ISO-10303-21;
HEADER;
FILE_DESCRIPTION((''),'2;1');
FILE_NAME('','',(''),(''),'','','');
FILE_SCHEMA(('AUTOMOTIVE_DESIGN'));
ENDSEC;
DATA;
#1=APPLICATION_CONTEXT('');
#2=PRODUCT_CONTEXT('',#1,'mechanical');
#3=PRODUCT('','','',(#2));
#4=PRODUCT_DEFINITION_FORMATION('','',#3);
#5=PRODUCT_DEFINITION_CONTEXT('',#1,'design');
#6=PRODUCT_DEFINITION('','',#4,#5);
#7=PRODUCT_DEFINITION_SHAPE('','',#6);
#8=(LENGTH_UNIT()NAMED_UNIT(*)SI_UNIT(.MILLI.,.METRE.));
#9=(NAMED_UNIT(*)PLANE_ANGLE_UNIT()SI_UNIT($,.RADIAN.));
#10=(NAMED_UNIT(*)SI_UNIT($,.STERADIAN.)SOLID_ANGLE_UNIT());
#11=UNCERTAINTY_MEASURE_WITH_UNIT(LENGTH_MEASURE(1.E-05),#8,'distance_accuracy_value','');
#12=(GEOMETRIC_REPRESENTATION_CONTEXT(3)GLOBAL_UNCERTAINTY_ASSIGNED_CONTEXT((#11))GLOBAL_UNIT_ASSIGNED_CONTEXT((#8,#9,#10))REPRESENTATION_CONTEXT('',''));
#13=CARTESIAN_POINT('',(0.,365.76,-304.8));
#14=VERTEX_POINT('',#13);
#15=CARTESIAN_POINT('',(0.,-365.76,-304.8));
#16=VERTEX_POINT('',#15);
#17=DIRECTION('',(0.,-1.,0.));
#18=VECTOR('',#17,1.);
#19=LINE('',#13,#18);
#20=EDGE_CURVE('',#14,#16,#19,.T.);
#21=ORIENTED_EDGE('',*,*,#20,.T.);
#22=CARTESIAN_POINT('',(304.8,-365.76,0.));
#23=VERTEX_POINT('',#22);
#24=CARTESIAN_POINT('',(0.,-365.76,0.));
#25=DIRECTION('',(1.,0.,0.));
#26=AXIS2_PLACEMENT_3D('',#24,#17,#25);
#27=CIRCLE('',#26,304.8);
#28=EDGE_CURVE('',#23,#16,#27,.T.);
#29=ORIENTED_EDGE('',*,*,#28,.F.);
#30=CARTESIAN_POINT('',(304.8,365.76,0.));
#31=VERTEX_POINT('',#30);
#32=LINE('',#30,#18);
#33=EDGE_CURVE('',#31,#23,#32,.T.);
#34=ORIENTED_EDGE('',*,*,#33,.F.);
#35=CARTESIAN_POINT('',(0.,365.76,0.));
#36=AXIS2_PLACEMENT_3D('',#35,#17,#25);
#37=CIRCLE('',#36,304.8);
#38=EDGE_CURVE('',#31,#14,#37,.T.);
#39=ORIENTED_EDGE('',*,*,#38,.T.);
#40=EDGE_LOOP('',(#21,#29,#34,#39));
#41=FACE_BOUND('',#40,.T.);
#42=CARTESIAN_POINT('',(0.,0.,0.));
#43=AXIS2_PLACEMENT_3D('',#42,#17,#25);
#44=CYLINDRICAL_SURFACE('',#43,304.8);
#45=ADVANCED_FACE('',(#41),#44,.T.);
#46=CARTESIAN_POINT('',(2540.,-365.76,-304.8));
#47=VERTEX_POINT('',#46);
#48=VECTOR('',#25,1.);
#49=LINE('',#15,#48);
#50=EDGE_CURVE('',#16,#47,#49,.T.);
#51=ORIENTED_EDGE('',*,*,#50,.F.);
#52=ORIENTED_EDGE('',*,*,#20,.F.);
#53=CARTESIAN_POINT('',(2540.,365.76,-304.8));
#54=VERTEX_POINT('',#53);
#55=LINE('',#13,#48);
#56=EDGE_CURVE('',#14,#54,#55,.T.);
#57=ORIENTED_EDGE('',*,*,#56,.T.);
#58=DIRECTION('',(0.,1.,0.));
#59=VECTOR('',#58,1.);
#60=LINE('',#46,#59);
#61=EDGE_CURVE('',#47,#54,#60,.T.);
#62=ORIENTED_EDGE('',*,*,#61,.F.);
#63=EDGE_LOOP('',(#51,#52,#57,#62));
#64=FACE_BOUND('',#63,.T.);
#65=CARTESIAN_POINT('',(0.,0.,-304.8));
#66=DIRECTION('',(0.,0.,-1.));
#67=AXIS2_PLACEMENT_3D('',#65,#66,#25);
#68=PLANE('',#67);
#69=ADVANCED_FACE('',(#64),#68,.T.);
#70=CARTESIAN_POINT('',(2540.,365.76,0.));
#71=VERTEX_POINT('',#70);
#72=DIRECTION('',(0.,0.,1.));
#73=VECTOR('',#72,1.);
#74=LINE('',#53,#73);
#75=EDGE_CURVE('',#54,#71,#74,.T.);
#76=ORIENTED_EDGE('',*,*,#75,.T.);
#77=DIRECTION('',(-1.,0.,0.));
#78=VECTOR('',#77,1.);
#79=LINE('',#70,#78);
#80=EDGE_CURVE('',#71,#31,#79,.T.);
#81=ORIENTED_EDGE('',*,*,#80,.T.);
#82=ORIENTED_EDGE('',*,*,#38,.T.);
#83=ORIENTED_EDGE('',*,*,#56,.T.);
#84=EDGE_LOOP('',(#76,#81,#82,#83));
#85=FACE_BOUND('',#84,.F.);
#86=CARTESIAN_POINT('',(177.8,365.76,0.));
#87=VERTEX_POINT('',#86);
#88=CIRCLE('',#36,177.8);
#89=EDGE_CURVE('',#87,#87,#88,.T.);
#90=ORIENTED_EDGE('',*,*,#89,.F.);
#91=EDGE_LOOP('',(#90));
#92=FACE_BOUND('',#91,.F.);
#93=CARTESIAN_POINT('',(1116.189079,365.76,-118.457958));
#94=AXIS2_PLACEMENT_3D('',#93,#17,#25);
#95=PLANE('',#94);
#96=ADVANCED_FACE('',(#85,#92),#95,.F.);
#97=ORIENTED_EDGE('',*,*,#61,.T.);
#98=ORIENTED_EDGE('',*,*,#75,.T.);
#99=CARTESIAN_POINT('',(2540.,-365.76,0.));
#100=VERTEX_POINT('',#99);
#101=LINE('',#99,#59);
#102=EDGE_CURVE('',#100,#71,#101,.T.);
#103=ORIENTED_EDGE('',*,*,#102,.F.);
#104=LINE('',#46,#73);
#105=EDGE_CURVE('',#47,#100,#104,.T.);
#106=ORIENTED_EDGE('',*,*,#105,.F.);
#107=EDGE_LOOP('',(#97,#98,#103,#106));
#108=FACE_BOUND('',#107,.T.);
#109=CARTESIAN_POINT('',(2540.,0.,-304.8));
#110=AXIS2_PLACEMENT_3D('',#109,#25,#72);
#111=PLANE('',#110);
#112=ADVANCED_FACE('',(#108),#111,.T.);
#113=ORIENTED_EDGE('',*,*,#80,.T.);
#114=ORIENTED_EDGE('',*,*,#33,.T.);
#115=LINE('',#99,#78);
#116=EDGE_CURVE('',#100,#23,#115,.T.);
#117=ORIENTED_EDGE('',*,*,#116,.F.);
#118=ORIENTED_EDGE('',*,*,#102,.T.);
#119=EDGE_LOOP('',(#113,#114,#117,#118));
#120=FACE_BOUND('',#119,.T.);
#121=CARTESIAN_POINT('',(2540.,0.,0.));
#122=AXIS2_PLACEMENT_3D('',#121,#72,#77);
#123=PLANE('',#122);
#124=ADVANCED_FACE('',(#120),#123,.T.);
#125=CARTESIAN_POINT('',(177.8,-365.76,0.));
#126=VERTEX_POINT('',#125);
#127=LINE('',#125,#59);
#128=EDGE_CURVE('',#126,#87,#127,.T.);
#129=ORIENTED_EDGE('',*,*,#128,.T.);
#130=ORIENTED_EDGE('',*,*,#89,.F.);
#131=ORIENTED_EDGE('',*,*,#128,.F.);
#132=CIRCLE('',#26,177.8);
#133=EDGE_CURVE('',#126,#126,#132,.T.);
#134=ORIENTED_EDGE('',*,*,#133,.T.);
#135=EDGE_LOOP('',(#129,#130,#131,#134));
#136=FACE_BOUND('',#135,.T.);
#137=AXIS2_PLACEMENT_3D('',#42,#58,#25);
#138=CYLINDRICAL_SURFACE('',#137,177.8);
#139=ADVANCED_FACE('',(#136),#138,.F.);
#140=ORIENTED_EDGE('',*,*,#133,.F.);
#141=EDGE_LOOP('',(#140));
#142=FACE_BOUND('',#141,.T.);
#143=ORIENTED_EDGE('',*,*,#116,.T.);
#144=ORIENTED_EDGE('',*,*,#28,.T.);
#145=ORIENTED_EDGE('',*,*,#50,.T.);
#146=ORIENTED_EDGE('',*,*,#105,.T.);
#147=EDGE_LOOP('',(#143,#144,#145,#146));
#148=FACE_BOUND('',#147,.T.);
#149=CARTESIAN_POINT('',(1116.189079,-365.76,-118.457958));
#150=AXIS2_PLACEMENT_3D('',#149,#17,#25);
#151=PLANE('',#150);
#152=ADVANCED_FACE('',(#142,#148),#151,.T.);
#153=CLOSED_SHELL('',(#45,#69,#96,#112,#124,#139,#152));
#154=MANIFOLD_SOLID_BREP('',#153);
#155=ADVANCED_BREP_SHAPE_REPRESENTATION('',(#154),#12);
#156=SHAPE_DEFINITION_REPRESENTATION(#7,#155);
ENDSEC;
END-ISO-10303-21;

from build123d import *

# Parameters (mm, degrees)
F0_R     = 177.8
F1_DEPTH = 365.76


with BuildPart() as f1:
    # F0 (on Front) → F1 (new body, symmetric)
    with BuildSketch(Plane.XZ):
        with BuildLine():
            Line((2540, 0), (304.8, 0))
            ThreePointArc((304.8, 0), (-215.526147, 215.526147), (0, -304.8))
            Line((0, -304.8), (2540, -304.8))
            Line((2540, -304.8), (2540, 0))
        make_face()
        Circle(F0_R, mode=Mode.SUBTRACT)
    extrude(amount=F1_DEPTH, both=True)


solid = f1.part
